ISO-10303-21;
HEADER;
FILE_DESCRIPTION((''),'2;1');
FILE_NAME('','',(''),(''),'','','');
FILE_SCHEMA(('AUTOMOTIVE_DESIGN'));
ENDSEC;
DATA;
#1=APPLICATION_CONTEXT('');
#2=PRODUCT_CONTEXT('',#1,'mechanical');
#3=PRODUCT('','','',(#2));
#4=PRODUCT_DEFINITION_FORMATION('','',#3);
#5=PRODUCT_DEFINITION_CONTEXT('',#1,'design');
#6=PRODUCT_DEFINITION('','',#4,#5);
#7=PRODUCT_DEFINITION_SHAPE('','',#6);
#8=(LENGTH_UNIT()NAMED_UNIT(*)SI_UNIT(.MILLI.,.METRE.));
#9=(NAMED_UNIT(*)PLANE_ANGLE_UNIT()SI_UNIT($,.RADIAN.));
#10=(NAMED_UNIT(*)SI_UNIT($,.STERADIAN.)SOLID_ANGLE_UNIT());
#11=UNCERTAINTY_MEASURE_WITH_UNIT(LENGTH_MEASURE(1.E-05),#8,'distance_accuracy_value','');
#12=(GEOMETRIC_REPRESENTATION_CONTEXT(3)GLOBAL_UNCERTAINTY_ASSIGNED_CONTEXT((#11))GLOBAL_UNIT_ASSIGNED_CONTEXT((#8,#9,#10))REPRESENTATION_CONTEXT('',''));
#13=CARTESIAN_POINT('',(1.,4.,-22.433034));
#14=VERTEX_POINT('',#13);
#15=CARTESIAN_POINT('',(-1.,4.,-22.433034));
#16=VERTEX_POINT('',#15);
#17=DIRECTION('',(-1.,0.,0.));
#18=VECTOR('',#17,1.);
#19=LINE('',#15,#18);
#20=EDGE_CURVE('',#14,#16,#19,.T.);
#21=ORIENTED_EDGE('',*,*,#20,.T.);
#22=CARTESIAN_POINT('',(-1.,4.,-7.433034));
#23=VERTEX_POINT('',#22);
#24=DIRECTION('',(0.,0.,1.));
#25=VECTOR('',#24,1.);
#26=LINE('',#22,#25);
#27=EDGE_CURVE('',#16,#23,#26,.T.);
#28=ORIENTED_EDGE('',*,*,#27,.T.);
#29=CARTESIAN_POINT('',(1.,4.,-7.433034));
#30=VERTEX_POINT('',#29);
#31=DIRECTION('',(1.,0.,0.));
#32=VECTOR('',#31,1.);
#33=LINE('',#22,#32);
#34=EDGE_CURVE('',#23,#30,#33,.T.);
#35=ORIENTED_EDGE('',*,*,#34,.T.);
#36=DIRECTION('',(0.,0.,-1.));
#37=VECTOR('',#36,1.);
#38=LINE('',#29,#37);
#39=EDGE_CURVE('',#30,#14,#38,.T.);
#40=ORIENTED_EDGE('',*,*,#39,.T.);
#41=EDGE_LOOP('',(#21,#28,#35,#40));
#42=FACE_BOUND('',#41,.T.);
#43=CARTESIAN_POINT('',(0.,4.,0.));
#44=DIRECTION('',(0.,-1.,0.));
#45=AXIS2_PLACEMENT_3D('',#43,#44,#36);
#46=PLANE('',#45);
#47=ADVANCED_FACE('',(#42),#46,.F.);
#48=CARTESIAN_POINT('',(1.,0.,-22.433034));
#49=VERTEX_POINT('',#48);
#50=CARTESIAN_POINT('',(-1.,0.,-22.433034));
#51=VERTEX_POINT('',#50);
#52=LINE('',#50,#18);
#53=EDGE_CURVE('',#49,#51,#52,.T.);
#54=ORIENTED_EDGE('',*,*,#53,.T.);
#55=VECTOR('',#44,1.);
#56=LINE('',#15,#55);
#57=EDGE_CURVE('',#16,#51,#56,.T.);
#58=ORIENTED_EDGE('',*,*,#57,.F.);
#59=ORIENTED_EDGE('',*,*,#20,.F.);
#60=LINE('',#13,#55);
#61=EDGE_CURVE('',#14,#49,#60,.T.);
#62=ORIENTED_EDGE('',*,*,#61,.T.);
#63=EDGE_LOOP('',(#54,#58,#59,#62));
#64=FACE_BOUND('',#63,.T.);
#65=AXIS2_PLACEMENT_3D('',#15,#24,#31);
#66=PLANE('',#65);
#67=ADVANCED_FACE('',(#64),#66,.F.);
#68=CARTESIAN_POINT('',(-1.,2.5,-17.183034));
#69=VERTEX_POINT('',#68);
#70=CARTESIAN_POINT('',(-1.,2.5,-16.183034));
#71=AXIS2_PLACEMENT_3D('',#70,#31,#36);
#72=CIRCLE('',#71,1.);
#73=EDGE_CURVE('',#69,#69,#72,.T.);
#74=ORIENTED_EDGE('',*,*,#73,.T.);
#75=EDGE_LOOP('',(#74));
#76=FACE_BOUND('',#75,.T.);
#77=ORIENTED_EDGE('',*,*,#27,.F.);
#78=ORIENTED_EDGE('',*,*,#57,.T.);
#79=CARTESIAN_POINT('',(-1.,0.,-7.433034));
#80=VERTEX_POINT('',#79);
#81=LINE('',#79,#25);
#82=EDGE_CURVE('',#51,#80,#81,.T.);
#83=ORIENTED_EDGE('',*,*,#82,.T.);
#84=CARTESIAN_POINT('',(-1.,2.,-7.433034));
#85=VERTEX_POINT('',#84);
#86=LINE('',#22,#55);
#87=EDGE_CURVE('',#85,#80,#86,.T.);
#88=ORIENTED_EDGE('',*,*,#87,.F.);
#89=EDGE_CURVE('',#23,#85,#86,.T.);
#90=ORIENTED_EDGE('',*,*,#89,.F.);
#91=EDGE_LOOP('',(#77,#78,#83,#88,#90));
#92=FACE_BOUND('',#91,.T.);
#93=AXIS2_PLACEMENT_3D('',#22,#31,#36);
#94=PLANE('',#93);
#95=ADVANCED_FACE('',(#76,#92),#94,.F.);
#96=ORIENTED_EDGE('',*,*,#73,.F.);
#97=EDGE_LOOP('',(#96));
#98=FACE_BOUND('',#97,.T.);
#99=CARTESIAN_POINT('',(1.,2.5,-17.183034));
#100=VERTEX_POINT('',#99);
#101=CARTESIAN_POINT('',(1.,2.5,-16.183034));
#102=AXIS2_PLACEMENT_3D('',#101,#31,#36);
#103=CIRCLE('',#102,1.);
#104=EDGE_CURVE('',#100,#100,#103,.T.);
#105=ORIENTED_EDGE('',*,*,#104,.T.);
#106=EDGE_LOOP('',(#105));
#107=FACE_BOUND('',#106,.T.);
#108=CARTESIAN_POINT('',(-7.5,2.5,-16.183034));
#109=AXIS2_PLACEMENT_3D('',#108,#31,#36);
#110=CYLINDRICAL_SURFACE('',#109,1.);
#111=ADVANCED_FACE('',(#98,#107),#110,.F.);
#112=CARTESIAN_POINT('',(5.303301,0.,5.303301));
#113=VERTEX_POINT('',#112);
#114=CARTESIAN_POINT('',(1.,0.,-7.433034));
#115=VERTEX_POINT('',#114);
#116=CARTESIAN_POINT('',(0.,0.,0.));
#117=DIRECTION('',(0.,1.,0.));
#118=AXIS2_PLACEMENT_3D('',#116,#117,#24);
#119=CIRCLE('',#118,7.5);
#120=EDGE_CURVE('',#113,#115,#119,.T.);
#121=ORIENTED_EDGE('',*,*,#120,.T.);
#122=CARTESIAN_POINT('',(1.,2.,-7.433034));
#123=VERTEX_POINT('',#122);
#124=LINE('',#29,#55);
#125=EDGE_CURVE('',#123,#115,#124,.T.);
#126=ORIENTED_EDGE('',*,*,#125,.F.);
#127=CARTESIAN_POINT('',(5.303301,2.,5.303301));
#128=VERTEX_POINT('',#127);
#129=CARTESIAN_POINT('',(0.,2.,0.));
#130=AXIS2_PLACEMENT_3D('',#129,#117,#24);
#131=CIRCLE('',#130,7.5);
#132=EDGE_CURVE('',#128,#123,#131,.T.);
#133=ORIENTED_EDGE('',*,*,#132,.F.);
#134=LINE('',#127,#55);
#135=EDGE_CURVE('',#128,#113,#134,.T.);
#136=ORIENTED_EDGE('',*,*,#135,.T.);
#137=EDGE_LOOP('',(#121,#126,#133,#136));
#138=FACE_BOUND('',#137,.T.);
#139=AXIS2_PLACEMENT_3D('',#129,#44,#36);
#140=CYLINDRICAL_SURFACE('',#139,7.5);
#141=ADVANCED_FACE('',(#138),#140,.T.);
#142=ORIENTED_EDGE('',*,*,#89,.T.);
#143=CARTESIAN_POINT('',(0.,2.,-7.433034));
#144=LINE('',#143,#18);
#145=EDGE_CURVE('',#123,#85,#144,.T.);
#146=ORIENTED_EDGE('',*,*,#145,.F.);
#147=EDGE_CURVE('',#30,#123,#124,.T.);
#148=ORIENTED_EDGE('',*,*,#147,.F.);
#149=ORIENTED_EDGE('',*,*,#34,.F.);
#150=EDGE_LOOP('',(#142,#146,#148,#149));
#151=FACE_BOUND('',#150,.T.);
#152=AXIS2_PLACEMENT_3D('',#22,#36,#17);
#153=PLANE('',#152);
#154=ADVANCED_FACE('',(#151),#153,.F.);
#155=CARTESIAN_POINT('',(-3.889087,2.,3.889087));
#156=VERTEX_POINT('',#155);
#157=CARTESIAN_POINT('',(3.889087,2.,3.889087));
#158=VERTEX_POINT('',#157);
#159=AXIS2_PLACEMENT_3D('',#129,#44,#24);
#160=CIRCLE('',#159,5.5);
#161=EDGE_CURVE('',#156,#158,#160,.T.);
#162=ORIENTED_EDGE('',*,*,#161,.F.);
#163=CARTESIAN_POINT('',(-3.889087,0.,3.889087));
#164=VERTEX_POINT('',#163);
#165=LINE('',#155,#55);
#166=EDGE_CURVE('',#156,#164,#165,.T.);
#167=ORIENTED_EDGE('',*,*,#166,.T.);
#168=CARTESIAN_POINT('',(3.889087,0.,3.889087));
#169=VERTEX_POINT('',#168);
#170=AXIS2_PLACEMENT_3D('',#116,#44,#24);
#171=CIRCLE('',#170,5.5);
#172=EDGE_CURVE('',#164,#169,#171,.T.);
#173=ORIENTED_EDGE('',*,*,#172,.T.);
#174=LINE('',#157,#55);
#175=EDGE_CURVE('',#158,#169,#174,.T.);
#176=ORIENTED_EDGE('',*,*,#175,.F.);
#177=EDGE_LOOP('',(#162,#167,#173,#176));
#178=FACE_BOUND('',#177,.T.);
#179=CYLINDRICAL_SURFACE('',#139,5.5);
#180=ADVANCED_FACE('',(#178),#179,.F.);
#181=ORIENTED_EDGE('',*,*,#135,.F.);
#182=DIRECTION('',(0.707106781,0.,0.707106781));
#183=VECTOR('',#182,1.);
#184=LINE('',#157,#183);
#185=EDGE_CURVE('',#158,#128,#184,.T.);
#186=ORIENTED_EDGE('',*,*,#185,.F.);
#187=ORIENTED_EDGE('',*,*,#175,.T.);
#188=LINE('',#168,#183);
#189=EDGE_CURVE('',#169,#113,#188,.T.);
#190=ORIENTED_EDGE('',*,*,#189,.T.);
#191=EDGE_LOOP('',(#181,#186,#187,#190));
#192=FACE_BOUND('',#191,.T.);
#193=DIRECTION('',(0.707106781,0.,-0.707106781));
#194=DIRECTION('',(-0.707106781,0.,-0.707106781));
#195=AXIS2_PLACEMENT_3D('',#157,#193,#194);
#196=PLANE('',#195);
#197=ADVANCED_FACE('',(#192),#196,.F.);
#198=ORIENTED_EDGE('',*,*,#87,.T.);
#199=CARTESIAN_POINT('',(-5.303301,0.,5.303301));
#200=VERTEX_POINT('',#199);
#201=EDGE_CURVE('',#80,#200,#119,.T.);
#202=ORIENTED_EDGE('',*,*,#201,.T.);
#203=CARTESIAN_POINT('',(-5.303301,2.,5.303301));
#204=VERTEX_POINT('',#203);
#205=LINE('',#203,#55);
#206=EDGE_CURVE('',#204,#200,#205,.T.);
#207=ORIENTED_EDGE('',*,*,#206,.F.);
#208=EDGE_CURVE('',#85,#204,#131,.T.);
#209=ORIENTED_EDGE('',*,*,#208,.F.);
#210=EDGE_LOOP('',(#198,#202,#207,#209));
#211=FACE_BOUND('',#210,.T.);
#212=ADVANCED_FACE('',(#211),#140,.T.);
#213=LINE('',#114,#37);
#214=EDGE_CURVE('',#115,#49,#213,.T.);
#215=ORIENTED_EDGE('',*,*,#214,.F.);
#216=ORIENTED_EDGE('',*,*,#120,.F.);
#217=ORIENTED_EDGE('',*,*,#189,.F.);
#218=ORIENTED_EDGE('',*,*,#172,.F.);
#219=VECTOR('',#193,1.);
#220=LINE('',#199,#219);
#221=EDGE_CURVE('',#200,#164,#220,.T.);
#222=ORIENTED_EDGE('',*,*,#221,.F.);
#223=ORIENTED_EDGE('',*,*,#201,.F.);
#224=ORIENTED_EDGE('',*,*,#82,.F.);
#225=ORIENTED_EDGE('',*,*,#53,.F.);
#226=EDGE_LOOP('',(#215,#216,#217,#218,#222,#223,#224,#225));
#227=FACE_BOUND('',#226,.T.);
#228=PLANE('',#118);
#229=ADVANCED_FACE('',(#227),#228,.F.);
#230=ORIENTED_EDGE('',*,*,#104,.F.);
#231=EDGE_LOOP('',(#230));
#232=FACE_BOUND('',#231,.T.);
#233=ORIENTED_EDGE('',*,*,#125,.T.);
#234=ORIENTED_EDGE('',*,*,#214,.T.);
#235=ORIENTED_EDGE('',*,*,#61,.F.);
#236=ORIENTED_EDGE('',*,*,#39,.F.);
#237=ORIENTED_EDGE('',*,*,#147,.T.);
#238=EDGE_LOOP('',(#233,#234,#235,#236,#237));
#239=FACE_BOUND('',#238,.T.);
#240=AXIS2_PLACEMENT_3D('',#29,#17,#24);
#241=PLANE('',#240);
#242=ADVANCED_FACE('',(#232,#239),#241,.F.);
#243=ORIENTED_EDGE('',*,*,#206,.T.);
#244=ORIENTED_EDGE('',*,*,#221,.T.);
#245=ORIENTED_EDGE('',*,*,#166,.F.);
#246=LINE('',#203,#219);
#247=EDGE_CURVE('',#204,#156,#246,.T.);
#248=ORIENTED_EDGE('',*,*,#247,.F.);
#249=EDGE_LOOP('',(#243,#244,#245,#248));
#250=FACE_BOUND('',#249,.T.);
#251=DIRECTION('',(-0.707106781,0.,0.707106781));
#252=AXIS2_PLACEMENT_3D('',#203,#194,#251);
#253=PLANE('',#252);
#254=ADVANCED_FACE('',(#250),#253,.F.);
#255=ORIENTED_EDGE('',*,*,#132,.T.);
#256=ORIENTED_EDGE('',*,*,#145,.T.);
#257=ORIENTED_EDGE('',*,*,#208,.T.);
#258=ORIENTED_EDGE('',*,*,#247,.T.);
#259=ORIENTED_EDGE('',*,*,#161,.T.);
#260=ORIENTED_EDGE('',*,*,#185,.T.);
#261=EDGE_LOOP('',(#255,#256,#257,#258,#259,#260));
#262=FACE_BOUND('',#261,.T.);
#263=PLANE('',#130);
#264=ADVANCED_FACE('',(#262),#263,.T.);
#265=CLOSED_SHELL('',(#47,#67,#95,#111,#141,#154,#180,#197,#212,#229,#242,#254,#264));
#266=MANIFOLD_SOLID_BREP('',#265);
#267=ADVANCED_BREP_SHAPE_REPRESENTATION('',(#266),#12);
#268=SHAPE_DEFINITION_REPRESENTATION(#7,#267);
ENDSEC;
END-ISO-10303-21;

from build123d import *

# Parameters (mm, degrees)
BOSS_EXTRUDE1_DEPTH      = 2
BOSS_EXTRUDE2_DEPTH      = 2
BOSS_EXTRUDE2_DEPTH_BACK = 2
SKETCH2_W                = 2
SKETCH2_H                = 15
SKETCH3_R                = 1
CUT_EXTRUDE1_DEPTH       = 25.320588628


with BuildPart() as part:
    # Sketch1 → Boss-Extrude1 (new body)
    with BuildSketch(Plane(origin=(0, 0, 0), x_dir=(1, 0, 0), z_dir=(0, 1, 0))):
        with BuildLine():
            Line((3.889087297, -3.889087297), (5.303300859, -5.303300859))
            ThreePointArc((5.303300859, -5.303300859), (0, 7.5), (-5.303300859, -5.303300859))
            Line((-5.303300859, -5.303300859), (-3.889087297, -3.889087297))
            ThreePointArc((-3.889087297, -3.889087297), (0, 5.5), (3.889087297, -3.889087297))
        make_face()
    extrude(amount=BOSS_EXTRUDE1_DEPTH)

    # Sketch2 → Boss-Extrude2 (add, two sides: drawn at the far end of the back side and taken through both)
    with BuildSketch(Plane(origin=(0, 2, 0), x_dir=(1, 0, 0), z_dir=(0, 1, 0)).offset(-BOSS_EXTRUDE2_DEPTH_BACK)):
        with Locations((0, 14.933034374)):
            Rectangle(SKETCH2_W, SKETCH2_H)
    extrude(amount=BOSS_EXTRUDE2_DEPTH + BOSS_EXTRUDE2_DEPTH_BACK)

    # Sketch3 → Cut-Extrude1 (cut, through all)
    with BuildSketch(Plane(origin=(1, 0, 0), x_dir=(0, 0, -1), z_dir=(1, 0, 0))):
        with Locations((16.183034374, 2.5)):
            Circle(SKETCH3_R)
    extrude(amount=-CUT_EXTRUDE1_DEPTH, mode=Mode.SUBTRACT)


solid = part.part
